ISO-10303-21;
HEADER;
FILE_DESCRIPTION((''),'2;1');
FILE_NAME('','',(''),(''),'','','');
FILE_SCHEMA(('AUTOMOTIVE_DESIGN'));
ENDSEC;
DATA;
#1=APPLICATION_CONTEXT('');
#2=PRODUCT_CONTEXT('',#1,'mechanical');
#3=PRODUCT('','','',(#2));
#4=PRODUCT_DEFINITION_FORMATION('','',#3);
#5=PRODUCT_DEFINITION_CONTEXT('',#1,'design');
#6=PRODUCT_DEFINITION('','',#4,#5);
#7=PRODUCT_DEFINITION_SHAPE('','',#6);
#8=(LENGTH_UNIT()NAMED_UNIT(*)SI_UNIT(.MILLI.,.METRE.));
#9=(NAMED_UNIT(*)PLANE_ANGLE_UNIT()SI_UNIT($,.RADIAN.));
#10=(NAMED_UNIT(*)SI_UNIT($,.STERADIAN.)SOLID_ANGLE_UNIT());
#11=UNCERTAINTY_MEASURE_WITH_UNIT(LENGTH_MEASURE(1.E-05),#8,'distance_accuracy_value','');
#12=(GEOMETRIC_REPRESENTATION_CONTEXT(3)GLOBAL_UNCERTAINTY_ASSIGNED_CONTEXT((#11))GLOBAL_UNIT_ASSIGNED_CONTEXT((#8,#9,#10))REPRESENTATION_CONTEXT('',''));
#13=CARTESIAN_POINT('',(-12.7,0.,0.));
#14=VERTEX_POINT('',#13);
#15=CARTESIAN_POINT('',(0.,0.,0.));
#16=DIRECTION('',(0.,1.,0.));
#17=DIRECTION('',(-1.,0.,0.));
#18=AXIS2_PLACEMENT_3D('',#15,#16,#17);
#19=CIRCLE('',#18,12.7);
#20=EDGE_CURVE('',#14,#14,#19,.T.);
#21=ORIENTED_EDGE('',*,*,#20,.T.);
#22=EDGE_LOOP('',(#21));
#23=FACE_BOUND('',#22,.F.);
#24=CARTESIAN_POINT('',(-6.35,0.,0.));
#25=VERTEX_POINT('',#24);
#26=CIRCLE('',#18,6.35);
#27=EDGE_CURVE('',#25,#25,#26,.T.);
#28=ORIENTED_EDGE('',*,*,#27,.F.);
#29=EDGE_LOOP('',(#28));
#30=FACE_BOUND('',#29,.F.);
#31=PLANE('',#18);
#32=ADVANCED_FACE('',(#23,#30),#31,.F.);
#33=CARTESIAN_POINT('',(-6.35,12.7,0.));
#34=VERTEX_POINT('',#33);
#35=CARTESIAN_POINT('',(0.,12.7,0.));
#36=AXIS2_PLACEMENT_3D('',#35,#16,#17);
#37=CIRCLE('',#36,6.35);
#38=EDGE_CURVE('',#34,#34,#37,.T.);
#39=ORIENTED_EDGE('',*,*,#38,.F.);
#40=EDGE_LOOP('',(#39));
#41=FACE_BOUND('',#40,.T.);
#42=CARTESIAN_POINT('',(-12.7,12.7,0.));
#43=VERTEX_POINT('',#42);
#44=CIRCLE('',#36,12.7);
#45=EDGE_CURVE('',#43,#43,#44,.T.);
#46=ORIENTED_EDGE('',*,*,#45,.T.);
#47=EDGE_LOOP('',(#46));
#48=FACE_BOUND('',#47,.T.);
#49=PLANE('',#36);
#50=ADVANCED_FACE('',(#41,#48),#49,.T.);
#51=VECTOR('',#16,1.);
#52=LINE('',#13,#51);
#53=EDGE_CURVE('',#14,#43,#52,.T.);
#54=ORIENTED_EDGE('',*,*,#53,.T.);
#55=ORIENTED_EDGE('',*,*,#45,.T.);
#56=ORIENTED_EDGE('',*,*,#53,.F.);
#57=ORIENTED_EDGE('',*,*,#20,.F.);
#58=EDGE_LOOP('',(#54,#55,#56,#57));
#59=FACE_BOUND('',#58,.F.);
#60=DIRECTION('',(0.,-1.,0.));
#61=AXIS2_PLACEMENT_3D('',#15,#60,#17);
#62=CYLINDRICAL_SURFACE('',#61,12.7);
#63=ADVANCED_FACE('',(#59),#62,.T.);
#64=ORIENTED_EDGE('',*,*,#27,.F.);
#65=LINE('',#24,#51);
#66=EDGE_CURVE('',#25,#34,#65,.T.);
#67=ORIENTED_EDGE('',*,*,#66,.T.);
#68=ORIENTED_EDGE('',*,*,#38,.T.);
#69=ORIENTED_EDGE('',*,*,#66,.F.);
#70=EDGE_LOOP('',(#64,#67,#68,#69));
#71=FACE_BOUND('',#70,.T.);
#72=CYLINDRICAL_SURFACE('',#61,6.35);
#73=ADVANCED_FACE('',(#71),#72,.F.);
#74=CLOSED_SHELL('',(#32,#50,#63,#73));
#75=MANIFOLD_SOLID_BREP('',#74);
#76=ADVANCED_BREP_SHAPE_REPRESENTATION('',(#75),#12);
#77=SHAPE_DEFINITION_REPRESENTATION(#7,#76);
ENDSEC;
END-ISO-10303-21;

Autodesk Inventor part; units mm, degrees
ref_plane "YZ Plane" through (0, 0, 0) normal (1, 0, 0) x (0, 1, 0)
ref_plane "XZ Plane" through (0, 0, 0) normal (0, 1, 0) x (-1, 0, 0)
ref_plane "XY Plane" through (0, 0, 0) normal (0, 0, 1) x (1, 0, 0)
sketch "Sketch1" plane through (0, 0, 0) normal (0, 1, 0) x (-1, 0, 0)
  circle A0 centre (0, 0) radius 6.35
  circle A1 centre (0, 0) radius 12.7
  dimension "d0" = 12.7
  dimension "d2" = 25.4
extrude "Extrusion1" add sketch "Sketch1" along normal blind 12.7
properties part number "Bushing1"
